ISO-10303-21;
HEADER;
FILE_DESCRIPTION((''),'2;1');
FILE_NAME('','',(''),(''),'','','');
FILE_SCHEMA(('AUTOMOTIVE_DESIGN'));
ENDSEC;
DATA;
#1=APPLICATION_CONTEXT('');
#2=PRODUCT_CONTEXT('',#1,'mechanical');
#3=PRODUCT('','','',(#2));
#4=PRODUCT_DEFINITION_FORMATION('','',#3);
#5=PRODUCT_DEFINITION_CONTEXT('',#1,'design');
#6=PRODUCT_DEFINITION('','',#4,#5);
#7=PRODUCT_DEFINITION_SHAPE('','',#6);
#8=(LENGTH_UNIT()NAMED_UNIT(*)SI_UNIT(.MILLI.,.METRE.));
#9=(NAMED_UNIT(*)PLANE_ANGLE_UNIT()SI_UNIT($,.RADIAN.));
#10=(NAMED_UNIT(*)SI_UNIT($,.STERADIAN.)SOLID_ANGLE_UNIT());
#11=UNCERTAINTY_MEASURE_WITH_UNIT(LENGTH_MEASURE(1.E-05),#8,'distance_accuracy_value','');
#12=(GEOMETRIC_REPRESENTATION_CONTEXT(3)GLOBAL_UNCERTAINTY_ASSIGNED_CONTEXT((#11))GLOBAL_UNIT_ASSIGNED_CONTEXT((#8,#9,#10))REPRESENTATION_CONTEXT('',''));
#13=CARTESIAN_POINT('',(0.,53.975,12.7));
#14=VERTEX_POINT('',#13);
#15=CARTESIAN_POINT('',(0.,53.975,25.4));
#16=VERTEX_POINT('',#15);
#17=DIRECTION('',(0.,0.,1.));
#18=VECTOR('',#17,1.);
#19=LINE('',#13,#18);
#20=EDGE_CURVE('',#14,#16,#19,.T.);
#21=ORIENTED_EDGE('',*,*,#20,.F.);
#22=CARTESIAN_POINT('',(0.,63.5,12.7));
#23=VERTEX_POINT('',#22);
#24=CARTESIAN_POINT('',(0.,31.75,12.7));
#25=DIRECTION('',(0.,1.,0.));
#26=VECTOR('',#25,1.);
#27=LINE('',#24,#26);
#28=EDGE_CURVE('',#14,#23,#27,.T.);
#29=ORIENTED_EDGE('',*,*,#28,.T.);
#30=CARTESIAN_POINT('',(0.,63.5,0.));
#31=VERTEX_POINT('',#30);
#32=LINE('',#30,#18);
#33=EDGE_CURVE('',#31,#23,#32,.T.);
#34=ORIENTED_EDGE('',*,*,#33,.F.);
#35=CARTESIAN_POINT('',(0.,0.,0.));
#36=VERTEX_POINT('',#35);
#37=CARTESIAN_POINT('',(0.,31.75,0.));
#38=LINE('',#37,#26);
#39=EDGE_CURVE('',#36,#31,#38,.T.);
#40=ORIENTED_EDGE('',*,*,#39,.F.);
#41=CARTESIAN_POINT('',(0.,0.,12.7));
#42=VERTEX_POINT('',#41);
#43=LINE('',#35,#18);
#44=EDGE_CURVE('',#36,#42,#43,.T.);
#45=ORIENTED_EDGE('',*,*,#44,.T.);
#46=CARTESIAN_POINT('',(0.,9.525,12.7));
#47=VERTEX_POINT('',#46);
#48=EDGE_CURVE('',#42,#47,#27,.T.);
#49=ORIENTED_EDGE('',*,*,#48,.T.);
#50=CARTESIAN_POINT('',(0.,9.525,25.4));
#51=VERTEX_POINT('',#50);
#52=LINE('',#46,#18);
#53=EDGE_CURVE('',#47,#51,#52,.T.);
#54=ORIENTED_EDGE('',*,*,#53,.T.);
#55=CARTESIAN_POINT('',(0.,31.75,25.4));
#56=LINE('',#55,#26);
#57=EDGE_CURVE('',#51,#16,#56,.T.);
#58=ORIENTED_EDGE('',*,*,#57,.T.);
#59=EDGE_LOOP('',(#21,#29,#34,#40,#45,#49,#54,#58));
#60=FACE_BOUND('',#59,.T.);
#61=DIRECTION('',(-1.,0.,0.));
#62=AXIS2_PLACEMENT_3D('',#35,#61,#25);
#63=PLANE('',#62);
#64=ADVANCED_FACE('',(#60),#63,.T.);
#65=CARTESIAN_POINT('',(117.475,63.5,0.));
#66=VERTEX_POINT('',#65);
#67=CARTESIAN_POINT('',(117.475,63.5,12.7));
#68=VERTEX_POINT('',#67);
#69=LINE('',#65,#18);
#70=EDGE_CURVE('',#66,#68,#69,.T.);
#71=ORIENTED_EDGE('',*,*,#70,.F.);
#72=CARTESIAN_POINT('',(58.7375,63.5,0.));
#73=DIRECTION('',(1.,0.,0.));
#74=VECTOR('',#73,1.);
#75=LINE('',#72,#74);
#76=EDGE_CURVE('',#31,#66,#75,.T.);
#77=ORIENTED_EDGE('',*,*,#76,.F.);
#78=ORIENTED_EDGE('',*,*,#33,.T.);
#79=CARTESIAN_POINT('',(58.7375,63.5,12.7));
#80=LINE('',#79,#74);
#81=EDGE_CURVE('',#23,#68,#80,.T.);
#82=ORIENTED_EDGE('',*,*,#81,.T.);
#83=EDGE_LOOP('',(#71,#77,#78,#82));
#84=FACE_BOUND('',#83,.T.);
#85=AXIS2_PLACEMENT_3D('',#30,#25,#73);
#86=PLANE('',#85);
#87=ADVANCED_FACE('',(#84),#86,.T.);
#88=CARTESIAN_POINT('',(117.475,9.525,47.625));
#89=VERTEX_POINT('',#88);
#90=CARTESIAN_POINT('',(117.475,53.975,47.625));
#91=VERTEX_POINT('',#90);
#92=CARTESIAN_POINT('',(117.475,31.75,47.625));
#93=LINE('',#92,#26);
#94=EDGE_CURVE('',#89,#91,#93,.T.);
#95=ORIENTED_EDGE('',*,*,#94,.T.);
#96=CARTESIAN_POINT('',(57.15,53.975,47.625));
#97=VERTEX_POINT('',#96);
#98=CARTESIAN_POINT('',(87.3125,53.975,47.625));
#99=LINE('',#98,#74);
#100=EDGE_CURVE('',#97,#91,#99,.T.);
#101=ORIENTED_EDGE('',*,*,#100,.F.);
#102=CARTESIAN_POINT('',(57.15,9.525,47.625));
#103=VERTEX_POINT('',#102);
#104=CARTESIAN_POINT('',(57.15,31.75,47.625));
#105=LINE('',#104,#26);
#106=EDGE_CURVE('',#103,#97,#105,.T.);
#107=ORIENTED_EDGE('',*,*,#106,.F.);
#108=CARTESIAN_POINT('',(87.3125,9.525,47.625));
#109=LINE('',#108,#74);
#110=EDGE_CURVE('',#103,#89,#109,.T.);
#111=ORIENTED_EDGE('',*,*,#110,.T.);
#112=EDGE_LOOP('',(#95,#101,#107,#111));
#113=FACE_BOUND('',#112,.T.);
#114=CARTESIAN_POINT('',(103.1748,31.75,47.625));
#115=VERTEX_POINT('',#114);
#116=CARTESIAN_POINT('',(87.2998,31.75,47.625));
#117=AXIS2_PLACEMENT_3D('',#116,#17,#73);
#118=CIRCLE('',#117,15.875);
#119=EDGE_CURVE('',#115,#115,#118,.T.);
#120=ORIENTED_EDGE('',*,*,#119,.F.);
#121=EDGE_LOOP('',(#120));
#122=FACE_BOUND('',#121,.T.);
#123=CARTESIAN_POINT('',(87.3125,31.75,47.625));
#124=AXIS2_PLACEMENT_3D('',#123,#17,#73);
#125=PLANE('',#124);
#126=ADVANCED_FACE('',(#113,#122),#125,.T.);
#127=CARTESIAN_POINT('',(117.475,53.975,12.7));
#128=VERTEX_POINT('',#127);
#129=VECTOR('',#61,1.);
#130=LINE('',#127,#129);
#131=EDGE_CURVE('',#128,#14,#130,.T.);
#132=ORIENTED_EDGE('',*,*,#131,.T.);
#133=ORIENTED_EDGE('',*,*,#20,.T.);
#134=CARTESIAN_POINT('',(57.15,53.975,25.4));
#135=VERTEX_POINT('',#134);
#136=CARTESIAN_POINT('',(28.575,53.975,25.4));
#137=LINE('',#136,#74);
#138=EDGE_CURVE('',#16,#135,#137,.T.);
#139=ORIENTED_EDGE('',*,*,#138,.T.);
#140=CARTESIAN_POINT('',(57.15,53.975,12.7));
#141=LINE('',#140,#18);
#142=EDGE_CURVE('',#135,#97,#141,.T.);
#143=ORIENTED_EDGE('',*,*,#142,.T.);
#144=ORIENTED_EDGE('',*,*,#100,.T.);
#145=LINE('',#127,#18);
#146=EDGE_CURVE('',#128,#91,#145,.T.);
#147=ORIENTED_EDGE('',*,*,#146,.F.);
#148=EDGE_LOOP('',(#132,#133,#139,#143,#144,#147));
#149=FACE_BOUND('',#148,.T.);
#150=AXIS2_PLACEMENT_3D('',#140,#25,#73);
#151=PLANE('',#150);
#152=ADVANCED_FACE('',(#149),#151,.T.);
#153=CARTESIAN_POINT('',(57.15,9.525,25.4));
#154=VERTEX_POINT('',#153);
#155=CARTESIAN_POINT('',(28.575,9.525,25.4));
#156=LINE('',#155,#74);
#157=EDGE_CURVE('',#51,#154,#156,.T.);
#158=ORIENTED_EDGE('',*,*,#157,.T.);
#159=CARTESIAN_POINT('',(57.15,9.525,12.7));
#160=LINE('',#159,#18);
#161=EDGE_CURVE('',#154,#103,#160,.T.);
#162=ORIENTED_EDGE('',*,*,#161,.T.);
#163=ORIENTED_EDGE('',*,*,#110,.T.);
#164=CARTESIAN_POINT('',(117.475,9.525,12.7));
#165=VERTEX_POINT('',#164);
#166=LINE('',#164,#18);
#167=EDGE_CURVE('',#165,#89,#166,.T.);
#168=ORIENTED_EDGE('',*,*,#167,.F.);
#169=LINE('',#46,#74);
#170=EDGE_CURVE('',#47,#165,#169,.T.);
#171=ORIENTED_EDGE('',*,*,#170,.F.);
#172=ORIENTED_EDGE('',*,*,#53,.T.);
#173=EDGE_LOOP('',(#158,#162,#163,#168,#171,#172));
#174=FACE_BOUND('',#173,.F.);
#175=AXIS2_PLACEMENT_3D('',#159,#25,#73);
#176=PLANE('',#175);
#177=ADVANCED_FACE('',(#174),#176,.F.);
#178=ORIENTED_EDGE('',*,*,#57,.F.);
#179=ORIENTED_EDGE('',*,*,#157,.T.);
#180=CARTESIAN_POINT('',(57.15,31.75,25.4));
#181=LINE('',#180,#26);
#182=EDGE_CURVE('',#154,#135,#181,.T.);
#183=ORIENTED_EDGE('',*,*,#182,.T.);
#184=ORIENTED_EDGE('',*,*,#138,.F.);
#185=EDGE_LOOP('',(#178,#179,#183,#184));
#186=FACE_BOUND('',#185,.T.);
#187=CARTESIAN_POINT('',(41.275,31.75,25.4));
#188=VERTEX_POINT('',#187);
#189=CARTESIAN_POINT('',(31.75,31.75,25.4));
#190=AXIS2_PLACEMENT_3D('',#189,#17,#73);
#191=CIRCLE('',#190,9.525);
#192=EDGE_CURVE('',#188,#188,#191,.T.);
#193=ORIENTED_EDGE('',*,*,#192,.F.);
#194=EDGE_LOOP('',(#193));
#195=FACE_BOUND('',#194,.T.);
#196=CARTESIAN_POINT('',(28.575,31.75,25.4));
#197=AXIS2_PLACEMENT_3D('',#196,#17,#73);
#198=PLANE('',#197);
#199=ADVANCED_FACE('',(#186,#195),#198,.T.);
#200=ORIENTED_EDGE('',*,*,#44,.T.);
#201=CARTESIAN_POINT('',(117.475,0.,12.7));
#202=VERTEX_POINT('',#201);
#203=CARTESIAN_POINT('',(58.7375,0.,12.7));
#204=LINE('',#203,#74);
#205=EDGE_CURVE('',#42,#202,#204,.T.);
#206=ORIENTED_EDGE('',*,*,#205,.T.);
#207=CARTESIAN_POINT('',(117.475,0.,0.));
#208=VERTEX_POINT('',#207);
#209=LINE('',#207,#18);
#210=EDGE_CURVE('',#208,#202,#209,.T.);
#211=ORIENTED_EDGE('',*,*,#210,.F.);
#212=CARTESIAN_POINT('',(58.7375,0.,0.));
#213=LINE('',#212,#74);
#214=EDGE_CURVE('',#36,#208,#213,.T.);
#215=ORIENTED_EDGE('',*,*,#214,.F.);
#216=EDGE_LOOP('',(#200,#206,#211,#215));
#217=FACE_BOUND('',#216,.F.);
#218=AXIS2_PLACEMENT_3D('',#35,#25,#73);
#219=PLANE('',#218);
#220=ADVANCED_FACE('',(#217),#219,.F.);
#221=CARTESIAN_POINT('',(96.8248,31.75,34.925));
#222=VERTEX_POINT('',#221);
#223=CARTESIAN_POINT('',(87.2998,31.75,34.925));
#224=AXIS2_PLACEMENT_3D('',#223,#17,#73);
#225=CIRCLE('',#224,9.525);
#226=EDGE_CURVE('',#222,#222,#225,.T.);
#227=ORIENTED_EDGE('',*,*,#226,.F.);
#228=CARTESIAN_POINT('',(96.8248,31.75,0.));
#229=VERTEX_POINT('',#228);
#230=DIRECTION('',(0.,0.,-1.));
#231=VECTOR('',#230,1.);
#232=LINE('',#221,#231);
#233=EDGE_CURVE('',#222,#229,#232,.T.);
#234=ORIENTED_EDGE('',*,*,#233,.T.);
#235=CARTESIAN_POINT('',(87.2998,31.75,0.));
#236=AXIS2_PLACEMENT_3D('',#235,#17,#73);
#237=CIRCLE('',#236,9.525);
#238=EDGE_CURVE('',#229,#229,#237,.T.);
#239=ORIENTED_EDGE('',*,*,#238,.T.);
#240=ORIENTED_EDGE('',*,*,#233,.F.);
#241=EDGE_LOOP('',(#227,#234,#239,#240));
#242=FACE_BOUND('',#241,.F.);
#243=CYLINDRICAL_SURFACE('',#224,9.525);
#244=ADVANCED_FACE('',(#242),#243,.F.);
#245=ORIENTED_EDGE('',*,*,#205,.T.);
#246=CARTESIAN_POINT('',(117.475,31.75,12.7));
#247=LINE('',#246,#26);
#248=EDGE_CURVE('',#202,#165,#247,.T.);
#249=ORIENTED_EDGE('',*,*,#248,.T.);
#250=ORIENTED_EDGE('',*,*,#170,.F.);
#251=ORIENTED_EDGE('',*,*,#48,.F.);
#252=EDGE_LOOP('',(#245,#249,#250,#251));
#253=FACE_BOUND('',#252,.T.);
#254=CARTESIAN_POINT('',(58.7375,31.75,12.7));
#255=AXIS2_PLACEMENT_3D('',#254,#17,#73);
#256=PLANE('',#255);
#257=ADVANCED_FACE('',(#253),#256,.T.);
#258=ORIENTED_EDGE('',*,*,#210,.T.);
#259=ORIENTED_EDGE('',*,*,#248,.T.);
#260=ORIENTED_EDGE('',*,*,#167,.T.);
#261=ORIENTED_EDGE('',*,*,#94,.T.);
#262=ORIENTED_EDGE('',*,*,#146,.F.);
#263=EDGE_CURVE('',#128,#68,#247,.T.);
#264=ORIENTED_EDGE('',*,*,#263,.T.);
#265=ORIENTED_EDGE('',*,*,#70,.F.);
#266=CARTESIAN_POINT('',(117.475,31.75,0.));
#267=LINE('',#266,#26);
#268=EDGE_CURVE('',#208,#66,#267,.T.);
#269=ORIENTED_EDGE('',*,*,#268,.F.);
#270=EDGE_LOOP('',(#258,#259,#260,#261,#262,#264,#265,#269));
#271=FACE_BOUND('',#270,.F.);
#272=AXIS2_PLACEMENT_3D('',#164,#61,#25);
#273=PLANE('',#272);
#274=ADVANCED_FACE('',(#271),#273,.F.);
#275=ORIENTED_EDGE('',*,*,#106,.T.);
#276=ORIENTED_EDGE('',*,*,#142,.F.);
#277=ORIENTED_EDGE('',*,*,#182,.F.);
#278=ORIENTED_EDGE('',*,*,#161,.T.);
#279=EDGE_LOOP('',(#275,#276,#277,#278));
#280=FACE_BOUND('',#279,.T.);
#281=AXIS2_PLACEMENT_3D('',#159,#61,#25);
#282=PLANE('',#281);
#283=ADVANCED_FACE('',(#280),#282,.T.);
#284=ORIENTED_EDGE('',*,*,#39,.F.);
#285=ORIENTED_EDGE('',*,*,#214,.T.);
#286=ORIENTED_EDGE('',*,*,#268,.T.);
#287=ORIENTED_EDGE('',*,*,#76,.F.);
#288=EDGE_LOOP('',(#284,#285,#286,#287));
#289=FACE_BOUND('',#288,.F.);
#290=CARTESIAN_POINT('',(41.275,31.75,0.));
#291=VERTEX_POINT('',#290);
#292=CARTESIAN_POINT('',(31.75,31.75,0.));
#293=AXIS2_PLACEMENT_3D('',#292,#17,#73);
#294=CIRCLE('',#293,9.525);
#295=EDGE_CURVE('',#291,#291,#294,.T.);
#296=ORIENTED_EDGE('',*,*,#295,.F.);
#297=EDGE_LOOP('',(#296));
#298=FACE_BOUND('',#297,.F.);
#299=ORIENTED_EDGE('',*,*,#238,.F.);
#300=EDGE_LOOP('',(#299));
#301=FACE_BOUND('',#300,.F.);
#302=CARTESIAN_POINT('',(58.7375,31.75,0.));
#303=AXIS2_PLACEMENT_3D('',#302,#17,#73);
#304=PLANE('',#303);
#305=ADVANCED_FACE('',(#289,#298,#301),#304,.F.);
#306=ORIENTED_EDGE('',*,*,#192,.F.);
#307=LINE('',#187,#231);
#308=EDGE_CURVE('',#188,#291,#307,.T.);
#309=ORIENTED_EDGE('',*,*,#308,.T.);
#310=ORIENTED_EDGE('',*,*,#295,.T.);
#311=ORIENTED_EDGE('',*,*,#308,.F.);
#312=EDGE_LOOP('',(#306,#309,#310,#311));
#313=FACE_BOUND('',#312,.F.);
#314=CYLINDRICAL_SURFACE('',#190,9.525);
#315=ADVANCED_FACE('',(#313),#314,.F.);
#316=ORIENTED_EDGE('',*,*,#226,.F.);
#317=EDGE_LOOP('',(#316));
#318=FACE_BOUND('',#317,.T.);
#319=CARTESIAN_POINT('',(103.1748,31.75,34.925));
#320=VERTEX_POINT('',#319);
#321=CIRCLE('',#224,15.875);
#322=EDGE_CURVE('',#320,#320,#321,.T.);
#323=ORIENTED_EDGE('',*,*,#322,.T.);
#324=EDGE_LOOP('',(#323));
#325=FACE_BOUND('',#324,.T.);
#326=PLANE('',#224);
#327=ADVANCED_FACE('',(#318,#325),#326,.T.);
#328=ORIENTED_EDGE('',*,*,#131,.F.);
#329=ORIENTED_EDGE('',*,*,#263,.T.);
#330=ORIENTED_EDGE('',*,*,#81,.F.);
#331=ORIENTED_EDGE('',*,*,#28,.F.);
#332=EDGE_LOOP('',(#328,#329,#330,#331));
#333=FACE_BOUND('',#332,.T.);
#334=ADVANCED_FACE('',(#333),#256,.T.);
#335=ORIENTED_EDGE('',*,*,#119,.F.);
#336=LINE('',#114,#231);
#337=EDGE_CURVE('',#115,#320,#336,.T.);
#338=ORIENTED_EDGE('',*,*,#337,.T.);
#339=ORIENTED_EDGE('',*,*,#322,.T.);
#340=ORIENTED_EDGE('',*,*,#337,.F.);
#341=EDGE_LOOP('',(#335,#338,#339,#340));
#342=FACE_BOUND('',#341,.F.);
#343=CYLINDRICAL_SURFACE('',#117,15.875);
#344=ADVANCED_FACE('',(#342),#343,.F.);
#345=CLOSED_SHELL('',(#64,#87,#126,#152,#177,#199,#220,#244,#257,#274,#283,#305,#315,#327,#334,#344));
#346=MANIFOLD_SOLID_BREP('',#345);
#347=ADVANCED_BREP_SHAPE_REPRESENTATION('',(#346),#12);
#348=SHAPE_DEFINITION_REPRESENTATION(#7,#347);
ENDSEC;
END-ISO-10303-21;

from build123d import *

# Parameters (mm, degrees)
F0_W      = 117.475
F0_H      = 63.5
F1_DEPTH  = 12.7
F2_W      = 57.15
F2_H      = 44.45
F3_DEPTH  = 12.7
F4_W      = 60.325
F4_H      = 44.45
F5_DEPTH  = 34.925
F6_R      = 9.525
F7_DEPTH  = 25.4
F8_R      = 15.875
F9_DEPTH  = 12.7
F10_R     = 9.525
F11_DEPTH = 50.8


with BuildPart() as f1:
    # F0 (on Top) → F1 (new body)
    with BuildSketch(Plane.XY):
        with Locations((58.7375, 31.75)):
            Rectangle(F0_W, F0_H)
    extrude(amount=F1_DEPTH)

    # F2 (on face) → F3 (join)
    with BuildSketch(Plane.XY.offset(12.7)):
        with Locations((28.575, 31.75)):
            Rectangle(F2_W, F2_H)
    extrude(amount=F3_DEPTH)

    # F4 (on face) → F5 (join)
    with BuildSketch(Plane.XY.offset(12.7)):
        with Locations((87.3125, 31.75)):
            Rectangle(F4_W, F4_H)
    extrude(amount=F5_DEPTH)

    # F6 (on face) → F7 (cut)
    with BuildSketch(Plane.XY.offset(25.4)):
        with Locations((31.75, 31.75)):
            Circle(F6_R)
    extrude(amount=-F7_DEPTH, mode=Mode.SUBTRACT)

    # F8 (on face) → F9 (cut)
    with BuildSketch(Plane.XY.offset(47.625)):
        with Locations((87.2998, 31.75)):
            Circle(F8_R)
    extrude(amount=-F9_DEPTH, mode=Mode.SUBTRACT)

    # F10 (on face) → F11 (cut)
    with BuildSketch(Plane.XY.offset(34.925)):
        with Locations((87.2998, 31.75)):
            Circle(F10_R)
    extrude(amount=-F11_DEPTH, mode=Mode.SUBTRACT)


solid = f1.part
